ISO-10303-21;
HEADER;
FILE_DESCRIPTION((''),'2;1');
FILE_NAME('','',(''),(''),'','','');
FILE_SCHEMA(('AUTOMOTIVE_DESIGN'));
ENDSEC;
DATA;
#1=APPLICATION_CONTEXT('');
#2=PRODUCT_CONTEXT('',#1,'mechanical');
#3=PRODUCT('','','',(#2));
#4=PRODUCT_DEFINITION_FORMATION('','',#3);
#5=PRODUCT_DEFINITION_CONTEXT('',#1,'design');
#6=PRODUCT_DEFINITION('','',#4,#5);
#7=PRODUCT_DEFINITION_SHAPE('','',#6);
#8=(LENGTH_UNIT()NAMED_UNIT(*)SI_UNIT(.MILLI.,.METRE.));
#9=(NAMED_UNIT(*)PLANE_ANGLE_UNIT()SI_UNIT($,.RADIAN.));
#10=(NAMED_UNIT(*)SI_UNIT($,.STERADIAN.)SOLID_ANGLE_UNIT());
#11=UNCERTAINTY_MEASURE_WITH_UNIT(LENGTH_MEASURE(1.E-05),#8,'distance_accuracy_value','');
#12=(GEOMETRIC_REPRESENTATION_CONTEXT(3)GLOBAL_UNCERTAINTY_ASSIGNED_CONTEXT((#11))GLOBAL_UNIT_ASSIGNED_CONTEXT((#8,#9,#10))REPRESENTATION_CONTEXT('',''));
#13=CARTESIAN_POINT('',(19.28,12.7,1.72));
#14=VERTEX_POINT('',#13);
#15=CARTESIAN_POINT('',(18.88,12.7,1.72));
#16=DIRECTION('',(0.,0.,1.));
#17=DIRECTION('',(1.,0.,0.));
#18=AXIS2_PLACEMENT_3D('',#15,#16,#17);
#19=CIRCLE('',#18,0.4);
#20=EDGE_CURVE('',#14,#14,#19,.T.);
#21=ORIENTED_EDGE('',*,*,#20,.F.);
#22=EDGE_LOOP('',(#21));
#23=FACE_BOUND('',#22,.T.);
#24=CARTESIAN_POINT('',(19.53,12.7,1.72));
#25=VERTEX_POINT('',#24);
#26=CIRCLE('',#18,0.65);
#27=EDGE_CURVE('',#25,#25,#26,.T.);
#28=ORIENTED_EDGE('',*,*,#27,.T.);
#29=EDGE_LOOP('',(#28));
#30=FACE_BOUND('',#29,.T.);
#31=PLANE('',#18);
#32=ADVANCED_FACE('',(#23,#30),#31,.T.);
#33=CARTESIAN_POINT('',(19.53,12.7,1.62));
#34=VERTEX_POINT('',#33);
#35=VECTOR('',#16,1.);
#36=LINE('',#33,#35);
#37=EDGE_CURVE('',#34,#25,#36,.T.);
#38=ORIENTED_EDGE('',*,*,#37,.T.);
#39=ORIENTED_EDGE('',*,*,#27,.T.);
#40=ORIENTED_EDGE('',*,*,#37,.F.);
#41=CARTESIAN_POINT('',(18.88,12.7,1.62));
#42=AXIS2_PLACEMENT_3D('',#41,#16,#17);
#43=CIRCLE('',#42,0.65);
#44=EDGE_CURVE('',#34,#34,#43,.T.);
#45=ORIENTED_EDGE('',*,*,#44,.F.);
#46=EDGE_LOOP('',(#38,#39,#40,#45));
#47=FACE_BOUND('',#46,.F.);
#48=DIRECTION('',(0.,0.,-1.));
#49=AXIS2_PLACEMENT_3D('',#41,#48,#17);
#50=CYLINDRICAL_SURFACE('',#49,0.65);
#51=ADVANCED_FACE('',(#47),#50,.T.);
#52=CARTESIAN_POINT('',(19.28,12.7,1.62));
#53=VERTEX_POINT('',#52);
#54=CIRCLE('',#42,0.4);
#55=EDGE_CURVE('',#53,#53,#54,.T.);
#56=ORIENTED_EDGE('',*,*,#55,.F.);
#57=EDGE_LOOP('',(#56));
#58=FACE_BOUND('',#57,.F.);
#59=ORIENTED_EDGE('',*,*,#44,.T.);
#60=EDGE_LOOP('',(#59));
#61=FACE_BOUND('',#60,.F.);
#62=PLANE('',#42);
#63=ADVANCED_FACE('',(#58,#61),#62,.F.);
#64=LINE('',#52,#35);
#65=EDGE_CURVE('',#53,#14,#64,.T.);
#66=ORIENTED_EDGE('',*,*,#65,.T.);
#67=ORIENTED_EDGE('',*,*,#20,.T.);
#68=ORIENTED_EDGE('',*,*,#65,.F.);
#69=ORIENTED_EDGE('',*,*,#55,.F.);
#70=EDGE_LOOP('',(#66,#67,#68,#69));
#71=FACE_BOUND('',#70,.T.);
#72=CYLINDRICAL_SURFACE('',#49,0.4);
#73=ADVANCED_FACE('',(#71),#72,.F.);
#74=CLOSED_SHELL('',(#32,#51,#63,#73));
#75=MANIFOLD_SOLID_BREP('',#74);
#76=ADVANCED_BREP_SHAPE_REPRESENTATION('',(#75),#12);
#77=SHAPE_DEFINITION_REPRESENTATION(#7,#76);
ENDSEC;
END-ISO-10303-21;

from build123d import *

# Parameters (mm, degrees)
CYLINDER007_R     = 0.4
CYLINDER007_DEPTH = 0.1
CYLINDER006_R     = 0.65
CYLINDER006_DEPTH = 0.1


with BuildPart() as cylinder007:
    # Cylinder007 → Cylinder007 (new body)
    with BuildSketch(Plane.XY.offset(1.62)):
        Circle(CYLINDER007_R)
    extrude(amount=CYLINDER007_DEPTH)


with BuildPart() as cut012:
    # Cylinder006 → Cylinder006 (new body)
    with BuildSketch(Plane.XY.offset(1.62)):
        Circle(CYLINDER006_R)
    extrude(amount=CYLINDER006_DEPTH)

    # Cut012: cut Cylinder007
    add(cylinder007.part, mode=Mode.SUBTRACT)


with BuildPart() as cut012_1:
    # Cut012 placement: moved
    add(cut012.part.moved(Location((18.88, 12.7, 0))))


solid = cut012_1.part
